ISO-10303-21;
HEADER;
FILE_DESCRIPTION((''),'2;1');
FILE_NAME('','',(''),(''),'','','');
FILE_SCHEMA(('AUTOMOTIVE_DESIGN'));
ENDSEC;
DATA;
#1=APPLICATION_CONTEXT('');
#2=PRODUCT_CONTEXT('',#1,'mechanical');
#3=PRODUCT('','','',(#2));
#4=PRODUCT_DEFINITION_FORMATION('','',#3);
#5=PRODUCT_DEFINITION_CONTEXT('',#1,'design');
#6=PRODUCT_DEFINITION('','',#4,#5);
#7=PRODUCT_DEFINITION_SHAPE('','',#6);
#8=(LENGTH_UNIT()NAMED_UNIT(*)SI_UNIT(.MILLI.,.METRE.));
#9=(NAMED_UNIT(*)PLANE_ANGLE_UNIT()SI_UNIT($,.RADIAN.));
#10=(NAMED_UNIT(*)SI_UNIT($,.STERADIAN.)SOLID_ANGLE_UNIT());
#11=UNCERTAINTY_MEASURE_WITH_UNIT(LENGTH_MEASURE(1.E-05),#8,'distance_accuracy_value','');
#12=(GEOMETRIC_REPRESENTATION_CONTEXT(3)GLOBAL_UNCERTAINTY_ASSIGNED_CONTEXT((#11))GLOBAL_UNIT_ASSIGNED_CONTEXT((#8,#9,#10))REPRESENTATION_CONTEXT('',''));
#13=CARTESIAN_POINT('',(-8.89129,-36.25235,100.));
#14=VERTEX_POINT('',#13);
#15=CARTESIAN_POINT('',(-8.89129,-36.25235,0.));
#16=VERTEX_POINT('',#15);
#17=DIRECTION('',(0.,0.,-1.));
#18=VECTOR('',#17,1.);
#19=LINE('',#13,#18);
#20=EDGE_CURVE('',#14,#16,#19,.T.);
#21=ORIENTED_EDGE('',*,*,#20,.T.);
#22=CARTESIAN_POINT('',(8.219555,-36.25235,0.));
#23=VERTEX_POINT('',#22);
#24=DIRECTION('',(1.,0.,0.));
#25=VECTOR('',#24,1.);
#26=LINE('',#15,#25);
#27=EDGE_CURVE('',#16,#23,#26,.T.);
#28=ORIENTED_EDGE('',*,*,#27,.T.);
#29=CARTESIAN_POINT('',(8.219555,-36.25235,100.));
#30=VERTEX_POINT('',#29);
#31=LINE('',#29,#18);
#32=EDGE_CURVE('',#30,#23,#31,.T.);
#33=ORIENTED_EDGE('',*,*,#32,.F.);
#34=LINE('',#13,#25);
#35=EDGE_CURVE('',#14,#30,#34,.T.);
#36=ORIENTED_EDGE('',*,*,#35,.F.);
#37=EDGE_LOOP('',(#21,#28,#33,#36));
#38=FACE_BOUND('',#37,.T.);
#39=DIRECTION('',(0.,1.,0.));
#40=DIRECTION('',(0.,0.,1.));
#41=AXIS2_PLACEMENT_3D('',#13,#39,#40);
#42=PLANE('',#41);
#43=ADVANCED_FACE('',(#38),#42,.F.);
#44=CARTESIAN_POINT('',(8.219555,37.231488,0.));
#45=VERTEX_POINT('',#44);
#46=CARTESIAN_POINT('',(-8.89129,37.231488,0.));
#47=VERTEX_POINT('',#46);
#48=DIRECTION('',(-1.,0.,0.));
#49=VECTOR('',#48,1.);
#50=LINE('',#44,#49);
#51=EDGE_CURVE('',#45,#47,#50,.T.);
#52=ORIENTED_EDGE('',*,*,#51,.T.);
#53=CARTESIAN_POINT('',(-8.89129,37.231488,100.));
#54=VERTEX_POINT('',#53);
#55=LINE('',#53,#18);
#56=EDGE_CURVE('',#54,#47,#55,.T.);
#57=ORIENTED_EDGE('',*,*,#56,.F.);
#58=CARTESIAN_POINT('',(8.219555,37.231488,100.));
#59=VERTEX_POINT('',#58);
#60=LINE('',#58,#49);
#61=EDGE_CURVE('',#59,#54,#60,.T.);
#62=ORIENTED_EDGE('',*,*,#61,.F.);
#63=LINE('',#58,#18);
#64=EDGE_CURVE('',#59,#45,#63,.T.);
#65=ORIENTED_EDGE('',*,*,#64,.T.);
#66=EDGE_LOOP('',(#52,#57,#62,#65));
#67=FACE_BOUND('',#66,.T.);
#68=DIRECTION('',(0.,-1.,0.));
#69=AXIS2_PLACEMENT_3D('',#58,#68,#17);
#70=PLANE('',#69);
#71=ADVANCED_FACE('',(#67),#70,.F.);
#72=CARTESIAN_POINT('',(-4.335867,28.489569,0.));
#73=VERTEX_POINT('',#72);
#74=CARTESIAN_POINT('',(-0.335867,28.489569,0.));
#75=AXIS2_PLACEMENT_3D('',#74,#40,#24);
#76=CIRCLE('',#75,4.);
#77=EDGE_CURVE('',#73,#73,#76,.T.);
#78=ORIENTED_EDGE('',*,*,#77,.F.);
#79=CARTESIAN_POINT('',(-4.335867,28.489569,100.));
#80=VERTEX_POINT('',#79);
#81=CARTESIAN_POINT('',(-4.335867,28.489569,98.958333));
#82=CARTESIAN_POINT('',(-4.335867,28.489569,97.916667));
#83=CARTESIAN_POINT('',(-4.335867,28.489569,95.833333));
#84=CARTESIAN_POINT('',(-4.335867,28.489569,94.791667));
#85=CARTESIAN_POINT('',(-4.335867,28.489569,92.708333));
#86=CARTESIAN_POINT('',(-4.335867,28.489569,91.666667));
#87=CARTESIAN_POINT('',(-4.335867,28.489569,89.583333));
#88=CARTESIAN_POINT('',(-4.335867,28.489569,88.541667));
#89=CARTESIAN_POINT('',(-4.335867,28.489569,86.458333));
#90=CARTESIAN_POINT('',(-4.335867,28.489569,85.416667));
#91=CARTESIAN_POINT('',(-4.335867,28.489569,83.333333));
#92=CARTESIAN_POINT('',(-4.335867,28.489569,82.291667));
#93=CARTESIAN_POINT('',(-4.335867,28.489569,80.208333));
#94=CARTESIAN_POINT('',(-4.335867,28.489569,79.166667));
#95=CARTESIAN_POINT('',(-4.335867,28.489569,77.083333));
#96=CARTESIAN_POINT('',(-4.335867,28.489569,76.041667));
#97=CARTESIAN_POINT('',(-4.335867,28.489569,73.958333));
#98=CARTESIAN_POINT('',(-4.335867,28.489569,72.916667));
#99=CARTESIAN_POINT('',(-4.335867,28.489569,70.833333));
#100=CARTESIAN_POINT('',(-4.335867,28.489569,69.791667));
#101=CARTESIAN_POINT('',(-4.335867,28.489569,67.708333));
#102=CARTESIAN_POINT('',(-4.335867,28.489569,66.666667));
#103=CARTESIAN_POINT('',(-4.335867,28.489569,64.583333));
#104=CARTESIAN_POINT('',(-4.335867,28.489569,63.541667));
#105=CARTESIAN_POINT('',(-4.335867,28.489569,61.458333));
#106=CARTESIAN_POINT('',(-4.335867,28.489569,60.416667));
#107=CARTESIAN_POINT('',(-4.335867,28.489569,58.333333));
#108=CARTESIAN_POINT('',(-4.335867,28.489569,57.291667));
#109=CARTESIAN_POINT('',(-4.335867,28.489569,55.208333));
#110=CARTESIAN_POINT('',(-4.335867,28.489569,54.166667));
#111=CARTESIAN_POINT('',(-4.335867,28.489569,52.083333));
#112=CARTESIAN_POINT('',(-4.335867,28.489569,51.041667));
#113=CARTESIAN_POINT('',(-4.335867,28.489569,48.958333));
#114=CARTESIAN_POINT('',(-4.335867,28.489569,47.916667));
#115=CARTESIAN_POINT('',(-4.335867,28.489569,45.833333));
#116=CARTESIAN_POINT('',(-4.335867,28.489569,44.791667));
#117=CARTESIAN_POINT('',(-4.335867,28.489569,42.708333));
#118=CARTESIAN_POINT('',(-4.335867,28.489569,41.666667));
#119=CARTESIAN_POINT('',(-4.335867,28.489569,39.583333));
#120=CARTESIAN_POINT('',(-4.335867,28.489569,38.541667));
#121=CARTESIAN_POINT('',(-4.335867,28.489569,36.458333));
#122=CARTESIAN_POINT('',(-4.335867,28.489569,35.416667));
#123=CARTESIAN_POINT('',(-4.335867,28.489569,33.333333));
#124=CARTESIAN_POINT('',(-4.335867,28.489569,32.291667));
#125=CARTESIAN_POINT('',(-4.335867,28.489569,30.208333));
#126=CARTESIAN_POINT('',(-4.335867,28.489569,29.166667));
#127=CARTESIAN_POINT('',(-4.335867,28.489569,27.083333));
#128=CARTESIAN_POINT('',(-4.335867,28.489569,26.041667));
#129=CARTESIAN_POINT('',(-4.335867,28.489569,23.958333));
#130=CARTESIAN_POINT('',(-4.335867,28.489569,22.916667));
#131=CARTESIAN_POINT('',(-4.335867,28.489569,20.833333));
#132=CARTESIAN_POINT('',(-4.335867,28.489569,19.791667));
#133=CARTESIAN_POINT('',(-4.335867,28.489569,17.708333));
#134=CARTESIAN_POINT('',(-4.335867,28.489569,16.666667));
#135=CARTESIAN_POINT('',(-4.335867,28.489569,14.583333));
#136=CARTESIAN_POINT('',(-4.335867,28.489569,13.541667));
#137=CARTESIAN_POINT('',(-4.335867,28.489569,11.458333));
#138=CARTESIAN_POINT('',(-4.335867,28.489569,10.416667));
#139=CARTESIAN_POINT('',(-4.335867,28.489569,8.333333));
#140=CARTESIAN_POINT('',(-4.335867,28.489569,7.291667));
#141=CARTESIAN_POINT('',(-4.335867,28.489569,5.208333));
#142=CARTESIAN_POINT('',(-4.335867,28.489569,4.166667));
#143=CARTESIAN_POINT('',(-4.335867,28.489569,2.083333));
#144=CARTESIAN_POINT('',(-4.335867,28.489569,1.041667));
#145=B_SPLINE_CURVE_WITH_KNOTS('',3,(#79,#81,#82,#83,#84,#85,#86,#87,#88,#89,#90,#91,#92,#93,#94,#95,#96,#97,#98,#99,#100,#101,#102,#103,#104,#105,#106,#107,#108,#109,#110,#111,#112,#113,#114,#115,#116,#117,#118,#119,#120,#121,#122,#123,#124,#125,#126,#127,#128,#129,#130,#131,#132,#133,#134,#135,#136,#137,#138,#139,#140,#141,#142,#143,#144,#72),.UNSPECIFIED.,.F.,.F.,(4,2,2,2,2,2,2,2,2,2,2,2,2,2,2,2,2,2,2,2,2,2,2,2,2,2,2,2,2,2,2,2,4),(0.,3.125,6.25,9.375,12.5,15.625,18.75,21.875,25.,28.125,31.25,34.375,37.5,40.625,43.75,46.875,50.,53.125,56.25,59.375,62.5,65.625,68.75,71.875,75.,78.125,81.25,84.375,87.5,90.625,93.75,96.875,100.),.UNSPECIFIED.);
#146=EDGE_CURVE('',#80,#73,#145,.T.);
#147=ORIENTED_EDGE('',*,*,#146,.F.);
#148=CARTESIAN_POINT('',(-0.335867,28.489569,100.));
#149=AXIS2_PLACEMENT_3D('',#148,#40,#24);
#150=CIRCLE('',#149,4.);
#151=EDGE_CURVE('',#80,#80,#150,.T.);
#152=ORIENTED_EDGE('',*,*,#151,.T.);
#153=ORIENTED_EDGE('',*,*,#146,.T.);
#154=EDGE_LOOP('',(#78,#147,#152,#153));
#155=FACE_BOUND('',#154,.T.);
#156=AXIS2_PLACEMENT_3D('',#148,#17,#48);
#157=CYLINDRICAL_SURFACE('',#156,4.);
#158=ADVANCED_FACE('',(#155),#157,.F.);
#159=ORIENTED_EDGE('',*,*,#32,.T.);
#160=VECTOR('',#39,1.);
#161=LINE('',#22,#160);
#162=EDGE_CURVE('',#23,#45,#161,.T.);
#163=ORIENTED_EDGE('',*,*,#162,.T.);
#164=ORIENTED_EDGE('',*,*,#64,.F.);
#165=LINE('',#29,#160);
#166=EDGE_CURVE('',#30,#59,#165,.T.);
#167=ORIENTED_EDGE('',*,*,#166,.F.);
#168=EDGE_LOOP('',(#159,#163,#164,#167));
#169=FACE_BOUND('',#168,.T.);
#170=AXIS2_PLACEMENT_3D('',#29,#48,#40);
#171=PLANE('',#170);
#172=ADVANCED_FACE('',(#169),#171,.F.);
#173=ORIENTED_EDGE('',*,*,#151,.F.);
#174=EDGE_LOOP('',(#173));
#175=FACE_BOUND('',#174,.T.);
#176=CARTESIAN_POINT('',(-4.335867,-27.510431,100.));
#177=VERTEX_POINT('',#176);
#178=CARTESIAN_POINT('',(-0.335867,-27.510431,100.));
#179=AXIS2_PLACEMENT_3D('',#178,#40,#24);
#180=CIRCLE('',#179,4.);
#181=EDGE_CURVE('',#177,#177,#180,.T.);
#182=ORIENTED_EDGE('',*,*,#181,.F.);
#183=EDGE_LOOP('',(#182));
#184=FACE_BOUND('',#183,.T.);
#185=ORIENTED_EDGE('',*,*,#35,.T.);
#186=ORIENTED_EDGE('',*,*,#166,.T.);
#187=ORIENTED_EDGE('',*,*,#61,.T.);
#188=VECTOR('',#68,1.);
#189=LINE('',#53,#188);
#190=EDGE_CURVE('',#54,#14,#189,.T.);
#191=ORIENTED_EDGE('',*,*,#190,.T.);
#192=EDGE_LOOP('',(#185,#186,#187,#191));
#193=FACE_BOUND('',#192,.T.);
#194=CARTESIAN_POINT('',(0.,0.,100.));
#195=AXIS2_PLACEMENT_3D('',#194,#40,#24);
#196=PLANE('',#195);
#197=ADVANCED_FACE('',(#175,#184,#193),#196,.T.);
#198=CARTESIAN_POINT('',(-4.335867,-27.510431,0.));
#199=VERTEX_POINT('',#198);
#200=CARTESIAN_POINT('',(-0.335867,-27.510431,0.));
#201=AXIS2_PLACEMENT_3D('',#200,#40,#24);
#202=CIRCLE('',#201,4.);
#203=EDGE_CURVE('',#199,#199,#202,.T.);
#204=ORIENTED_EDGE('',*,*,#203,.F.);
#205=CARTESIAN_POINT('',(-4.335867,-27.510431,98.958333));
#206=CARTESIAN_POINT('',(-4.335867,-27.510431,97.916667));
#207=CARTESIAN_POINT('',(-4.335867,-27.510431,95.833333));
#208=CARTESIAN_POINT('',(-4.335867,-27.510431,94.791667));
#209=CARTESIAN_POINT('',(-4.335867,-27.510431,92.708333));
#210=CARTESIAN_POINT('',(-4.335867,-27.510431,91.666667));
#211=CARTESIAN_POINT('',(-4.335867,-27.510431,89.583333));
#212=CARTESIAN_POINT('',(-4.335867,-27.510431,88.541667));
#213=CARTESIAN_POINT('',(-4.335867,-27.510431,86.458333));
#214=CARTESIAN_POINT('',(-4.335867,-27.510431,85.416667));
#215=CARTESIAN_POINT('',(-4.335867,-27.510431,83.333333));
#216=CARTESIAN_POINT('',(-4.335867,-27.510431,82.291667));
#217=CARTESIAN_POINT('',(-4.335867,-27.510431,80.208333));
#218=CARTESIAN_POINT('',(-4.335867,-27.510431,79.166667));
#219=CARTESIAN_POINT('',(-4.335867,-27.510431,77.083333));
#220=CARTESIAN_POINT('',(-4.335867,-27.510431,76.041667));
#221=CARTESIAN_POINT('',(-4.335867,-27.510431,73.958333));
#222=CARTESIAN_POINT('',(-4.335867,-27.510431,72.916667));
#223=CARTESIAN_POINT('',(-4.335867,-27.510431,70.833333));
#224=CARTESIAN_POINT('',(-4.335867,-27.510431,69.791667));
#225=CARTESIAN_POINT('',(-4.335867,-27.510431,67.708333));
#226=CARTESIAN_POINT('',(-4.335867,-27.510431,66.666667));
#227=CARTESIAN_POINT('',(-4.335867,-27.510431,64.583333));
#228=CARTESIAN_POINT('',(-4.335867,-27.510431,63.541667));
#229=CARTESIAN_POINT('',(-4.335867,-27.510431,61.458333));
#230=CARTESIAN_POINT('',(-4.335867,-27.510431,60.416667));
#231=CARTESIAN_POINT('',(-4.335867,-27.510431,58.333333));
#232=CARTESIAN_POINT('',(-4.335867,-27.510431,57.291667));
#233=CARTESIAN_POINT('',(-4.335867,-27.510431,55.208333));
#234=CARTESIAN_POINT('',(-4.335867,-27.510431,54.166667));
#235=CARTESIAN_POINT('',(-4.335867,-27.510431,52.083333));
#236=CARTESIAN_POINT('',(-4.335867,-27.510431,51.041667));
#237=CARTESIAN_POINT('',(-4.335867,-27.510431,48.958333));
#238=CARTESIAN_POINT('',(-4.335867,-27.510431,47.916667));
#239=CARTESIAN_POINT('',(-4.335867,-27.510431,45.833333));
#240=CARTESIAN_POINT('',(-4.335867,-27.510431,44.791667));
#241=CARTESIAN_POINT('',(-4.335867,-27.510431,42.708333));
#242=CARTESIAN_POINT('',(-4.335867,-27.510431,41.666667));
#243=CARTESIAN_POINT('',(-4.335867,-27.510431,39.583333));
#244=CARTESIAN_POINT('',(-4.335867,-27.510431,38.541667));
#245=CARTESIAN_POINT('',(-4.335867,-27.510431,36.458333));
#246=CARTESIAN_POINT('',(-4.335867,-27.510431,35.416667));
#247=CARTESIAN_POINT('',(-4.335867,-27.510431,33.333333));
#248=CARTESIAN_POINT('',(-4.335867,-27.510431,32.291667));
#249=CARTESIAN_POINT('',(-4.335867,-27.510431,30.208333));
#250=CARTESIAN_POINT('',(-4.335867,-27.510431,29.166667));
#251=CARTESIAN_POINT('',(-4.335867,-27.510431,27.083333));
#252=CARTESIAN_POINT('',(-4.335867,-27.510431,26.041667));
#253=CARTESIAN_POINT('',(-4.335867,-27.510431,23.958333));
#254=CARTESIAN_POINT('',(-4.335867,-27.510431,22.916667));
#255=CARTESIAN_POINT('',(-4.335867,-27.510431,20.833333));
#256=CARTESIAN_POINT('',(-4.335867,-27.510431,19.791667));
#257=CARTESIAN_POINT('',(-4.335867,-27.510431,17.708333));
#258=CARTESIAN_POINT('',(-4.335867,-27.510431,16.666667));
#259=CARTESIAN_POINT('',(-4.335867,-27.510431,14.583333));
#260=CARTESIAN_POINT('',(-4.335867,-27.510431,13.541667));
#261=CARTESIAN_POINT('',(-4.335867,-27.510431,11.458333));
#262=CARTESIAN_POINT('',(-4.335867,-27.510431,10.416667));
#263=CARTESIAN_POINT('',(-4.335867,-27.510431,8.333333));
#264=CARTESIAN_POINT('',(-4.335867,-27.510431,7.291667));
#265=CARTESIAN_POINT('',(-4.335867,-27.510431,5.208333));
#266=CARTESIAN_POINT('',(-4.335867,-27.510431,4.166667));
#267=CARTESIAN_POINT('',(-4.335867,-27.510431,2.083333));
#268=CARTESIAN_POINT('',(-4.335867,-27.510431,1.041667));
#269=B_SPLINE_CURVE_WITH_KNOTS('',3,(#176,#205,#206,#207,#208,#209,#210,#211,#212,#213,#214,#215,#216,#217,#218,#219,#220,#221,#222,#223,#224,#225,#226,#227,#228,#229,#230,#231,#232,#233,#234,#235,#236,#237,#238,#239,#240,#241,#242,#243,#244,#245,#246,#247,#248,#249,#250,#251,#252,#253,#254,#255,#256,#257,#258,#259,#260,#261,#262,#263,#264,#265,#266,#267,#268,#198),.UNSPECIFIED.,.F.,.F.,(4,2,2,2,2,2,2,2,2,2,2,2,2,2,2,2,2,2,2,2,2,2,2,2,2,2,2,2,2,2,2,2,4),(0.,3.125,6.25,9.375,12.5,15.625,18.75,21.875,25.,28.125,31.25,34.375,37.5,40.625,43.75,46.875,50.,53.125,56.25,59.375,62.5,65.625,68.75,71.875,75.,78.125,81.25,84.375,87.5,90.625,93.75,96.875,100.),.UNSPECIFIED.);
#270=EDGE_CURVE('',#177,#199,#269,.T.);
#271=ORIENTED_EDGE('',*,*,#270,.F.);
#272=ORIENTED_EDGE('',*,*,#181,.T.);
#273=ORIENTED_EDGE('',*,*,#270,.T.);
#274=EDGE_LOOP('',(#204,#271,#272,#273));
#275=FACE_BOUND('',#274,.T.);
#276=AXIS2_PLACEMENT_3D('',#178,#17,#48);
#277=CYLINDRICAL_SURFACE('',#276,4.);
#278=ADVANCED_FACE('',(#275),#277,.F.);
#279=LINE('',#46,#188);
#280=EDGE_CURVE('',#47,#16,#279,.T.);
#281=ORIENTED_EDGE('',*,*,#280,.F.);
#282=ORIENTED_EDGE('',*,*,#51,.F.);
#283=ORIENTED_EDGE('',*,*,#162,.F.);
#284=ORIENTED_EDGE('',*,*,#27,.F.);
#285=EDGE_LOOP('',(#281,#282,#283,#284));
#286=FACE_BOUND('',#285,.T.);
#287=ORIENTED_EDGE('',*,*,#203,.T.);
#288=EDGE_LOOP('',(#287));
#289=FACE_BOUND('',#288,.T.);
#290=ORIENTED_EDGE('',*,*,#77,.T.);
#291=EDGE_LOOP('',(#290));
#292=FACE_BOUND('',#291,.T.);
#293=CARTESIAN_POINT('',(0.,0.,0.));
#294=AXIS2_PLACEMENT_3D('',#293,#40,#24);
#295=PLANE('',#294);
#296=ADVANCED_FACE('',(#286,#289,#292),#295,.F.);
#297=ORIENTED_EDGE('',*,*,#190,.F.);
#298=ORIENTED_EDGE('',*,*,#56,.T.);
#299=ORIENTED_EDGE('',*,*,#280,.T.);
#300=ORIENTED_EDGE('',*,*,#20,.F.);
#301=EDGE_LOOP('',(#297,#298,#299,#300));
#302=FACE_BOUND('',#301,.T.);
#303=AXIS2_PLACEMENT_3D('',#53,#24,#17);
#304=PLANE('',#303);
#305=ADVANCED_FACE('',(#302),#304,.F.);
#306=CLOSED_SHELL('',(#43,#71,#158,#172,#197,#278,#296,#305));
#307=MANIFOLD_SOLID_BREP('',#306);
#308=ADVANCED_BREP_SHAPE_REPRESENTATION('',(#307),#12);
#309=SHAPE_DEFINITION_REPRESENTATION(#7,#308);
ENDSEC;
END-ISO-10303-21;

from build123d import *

# Parameters (mm, degrees)
IZIM1_W                     = 17.110844689
IZIM1_H                     = 73.483837376
IZIM1_R                     = 4
Y_KSEKLIK_EKSTR_ZYON1_DEPTH = 100


with BuildPart() as part:
    # Çizim1 → Yükseklik-Ekstrüzyon1 (new body)
    with BuildSketch(Plane.XY):
        with Locations((-0.335867216, 0.489569161)):
            Rectangle(IZIM1_W, IZIM1_H)
        with Locations(Location((-0.335867215, -27.510430839, 0), (0, 0, 180))):
            Circle(IZIM1_R, mode=Mode.SUBTRACT)
        with Locations(Location((-0.335867215, 28.489569161, 0), (0, 0, 180))):
            Circle(IZIM1_R, mode=Mode.SUBTRACT)
    extrude(amount=Y_KSEKLIK_EKSTR_ZYON1_DEPTH)


solid = part.part
